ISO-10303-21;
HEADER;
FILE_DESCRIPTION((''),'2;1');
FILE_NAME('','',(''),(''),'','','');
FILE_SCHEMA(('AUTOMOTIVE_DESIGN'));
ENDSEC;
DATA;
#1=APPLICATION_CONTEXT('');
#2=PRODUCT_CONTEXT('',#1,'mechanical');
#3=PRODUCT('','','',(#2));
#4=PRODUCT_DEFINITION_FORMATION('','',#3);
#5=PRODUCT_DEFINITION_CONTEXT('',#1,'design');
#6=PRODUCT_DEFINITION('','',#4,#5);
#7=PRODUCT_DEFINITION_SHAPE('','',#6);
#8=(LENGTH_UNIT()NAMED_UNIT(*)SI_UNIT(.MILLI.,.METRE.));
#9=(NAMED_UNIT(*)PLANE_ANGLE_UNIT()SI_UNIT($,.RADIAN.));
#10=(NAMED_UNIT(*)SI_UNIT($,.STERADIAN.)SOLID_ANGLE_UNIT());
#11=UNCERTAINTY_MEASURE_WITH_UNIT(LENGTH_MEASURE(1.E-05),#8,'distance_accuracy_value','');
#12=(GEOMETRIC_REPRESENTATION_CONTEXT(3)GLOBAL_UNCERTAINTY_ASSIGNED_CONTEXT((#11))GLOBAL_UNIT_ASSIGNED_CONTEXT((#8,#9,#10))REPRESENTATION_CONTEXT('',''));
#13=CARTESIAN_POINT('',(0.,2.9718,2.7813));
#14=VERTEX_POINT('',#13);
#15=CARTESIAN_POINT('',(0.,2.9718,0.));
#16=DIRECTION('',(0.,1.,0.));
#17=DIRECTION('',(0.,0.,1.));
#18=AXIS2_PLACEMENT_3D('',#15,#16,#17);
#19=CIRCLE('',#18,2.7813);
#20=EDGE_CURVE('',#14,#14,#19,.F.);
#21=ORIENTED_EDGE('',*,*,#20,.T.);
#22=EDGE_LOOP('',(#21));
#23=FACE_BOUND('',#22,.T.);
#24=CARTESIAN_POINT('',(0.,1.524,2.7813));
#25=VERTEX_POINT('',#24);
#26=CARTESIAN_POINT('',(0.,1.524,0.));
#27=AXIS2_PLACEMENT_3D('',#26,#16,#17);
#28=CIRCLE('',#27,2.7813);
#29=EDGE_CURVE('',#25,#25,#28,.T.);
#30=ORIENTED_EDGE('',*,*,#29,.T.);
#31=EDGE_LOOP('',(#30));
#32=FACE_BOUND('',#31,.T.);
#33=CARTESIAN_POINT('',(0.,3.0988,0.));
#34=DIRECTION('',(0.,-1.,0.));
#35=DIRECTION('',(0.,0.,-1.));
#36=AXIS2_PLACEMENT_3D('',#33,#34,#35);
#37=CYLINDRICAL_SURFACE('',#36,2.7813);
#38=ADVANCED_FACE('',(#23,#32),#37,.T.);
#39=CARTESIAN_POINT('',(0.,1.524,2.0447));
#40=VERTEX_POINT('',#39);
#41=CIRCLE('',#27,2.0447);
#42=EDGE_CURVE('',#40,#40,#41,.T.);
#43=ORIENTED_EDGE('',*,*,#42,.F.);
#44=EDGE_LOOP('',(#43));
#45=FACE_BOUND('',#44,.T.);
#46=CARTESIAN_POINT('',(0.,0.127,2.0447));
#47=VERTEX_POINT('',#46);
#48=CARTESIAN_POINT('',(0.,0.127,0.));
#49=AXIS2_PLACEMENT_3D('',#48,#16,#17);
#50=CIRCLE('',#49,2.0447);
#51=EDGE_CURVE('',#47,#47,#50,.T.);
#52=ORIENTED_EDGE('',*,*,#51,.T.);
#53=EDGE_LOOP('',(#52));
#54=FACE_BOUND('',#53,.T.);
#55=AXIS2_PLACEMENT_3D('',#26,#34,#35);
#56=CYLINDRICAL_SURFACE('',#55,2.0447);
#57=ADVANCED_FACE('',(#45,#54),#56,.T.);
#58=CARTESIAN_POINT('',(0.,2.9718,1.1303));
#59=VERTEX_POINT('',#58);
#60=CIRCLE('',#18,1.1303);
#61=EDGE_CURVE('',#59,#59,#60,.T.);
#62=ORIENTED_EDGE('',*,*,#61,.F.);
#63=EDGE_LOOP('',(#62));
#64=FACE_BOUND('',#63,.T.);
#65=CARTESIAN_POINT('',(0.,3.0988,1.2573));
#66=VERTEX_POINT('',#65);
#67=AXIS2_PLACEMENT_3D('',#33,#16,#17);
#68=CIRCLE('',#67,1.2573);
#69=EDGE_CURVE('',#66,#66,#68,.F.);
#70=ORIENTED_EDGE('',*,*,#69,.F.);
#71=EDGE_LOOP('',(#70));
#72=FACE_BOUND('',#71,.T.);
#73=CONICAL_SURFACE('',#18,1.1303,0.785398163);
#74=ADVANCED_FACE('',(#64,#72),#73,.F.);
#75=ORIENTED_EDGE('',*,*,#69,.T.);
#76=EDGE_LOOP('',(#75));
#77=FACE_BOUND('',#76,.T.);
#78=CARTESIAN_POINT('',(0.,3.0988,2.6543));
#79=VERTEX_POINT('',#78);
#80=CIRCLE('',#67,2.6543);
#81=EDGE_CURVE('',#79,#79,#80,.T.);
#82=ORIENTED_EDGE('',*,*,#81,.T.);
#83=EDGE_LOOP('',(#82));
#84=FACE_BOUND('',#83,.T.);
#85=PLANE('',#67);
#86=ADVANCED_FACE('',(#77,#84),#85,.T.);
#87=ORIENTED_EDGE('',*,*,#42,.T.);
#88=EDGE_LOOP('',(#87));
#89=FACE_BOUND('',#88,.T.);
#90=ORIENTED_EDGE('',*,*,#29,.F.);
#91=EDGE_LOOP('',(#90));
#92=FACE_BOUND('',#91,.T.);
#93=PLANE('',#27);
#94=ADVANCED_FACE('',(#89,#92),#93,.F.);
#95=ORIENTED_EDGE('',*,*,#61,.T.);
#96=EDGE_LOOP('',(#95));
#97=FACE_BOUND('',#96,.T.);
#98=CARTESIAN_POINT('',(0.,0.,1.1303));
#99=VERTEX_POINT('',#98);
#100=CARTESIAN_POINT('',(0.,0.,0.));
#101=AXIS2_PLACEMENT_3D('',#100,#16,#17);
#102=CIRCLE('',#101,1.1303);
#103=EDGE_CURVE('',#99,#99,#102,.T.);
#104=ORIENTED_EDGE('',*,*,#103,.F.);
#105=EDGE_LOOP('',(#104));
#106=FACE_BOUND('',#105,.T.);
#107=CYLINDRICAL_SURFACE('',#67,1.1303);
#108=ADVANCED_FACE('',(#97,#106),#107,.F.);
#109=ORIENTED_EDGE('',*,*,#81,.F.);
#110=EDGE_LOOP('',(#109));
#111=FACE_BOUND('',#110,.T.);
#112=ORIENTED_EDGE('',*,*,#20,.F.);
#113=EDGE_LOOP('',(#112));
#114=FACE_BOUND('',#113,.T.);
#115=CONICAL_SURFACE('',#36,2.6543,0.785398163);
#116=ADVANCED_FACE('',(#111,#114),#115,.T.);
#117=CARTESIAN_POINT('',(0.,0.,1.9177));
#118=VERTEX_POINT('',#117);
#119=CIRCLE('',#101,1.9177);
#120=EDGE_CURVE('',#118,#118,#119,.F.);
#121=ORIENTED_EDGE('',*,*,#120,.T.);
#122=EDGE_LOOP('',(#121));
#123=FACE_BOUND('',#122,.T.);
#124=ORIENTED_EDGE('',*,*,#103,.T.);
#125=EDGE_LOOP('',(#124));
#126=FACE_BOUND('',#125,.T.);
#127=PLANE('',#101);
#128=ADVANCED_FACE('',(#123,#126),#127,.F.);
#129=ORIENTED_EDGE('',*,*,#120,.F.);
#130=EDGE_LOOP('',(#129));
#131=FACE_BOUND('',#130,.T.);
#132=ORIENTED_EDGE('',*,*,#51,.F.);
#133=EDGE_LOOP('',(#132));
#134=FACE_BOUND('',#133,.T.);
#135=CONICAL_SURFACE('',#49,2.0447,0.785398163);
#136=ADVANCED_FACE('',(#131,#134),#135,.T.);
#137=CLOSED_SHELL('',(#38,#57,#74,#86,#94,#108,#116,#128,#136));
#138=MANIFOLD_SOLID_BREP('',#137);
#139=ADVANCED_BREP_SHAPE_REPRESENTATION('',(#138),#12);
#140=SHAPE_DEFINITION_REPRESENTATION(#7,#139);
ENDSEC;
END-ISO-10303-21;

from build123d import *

# Parameters (mm, degrees)
SKETCH1_R             = 2.0447
BOSS_EXTRUDE1_DEPTH   = 1.524
SKETCH2_R             = 2.7813
BOSS_EXTRUDE2_DEPTH   = 1.5748
F_4_40_TAPPED_HOLE1_D = 2.2606
CHAMFER1_SIZE         = 0.127


with BuildPart() as part:
    # Sketch1 → Boss-Extrude1 (new body)
    with BuildSketch(Plane(origin=(0, 0, 0), x_dir=(1, 0, 0), z_dir=(0, 1, 0))):
        Circle(SKETCH1_R)
    extrude(amount=BOSS_EXTRUDE1_DEPTH)

    # Sketch2 → Boss-Extrude2 (add)
    with BuildSketch(Plane(origin=(0, 1.524, 0), x_dir=(1, 0, 0), z_dir=(0, 1, 0))):
        Circle(SKETCH2_R)
    extrude(amount=BOSS_EXTRUDE2_DEPTH)

    # #4-40 Tapped Hole1 (through all)
    with Locations(Plane(origin=(0, 3.0988, 0), x_dir=(1, 0, 0), z_dir=(0, 1, 0))):
        with Locations((0, 0)):
            Hole(F_4_40_TAPPED_HOLE1_D / 2)

    # Chamfer1
    chamfer1_edges = [part.edges().sort_by_distance(p)[0] for p in [
        (1.1303, 3.0988, 0),
        (-2.0447, 0, 0),
        (-2.7813, 3.0988, 0),
    ]]
    chamfer(chamfer1_edges, length=CHAMFER1_SIZE)


solid = part.part
